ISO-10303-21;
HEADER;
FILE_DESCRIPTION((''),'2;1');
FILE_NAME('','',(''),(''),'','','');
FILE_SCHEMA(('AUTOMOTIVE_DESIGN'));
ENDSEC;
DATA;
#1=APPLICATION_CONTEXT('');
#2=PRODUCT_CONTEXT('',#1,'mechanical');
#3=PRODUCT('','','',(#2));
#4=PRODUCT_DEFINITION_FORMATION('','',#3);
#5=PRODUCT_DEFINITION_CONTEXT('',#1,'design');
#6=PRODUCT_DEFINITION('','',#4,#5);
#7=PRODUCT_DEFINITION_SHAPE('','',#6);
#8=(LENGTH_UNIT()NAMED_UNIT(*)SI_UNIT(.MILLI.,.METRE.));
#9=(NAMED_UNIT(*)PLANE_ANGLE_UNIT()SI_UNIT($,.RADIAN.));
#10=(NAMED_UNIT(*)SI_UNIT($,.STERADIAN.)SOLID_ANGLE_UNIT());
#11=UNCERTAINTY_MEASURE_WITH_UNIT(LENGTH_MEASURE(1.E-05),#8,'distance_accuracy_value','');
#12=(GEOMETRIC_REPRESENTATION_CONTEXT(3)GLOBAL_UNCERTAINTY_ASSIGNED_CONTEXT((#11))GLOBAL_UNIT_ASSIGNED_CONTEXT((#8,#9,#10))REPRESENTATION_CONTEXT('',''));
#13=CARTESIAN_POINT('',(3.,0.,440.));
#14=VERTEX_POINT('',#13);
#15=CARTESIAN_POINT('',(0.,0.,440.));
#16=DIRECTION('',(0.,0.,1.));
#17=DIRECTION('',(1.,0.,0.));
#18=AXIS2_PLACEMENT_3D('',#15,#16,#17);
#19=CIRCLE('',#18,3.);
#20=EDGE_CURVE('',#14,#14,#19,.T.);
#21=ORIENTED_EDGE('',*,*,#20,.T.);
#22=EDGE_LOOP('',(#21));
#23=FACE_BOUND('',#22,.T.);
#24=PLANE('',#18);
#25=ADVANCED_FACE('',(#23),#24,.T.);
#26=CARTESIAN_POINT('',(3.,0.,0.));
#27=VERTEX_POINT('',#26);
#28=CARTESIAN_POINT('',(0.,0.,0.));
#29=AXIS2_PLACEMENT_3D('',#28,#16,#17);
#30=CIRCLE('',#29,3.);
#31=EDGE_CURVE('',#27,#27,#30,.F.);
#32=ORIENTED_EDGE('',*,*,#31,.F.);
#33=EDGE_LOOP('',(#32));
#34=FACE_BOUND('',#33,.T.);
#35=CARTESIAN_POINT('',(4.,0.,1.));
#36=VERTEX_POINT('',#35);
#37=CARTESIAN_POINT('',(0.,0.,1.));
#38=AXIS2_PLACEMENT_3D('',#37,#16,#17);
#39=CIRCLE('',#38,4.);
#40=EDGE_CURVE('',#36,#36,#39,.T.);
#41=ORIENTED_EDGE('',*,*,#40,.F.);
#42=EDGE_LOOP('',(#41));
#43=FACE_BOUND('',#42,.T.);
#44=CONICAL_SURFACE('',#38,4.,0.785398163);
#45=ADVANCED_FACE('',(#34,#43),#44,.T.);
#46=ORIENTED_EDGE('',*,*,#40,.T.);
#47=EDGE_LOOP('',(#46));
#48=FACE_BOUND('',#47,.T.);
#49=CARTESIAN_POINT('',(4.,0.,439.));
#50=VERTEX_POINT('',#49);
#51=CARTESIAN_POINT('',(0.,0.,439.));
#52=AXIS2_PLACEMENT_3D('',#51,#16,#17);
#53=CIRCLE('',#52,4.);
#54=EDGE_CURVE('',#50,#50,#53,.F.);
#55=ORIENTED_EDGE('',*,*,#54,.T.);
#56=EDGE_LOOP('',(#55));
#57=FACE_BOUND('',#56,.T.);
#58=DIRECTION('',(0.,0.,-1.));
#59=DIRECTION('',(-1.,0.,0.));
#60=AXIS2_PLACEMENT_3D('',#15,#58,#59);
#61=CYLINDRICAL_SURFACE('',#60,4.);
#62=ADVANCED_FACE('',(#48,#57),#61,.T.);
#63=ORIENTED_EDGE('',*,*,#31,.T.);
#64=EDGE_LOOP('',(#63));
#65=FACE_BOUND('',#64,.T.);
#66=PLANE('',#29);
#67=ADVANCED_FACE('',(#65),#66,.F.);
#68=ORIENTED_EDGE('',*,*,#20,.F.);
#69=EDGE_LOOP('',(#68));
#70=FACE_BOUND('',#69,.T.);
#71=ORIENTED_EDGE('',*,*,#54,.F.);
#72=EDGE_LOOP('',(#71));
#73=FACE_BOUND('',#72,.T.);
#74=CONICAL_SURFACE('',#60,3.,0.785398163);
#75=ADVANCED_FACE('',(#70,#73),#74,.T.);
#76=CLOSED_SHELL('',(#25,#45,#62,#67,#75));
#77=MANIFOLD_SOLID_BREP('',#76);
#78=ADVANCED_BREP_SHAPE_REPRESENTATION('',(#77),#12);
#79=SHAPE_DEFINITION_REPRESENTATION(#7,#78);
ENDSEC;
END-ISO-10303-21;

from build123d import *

# Parameters (mm, degrees)
SKETCH1_R           = 4
BOSS_EXTRUDE1_DEPTH = 440
CHAMFER1_SIZE       = 1


with BuildPart() as part:
    # Sketch1 → Boss-Extrude1 (new body)
    with BuildSketch(Plane.XY):
        Circle(SKETCH1_R)
    extrude(amount=BOSS_EXTRUDE1_DEPTH)

    # Chamfer1
    chamfer1_edges = [part.edges().sort_by_distance(p)[0] for p in [
        (-4, 0, 0),
        (-4, 0, 440),
    ]]
    chamfer(chamfer1_edges, length=CHAMFER1_SIZE)


solid = part.part
